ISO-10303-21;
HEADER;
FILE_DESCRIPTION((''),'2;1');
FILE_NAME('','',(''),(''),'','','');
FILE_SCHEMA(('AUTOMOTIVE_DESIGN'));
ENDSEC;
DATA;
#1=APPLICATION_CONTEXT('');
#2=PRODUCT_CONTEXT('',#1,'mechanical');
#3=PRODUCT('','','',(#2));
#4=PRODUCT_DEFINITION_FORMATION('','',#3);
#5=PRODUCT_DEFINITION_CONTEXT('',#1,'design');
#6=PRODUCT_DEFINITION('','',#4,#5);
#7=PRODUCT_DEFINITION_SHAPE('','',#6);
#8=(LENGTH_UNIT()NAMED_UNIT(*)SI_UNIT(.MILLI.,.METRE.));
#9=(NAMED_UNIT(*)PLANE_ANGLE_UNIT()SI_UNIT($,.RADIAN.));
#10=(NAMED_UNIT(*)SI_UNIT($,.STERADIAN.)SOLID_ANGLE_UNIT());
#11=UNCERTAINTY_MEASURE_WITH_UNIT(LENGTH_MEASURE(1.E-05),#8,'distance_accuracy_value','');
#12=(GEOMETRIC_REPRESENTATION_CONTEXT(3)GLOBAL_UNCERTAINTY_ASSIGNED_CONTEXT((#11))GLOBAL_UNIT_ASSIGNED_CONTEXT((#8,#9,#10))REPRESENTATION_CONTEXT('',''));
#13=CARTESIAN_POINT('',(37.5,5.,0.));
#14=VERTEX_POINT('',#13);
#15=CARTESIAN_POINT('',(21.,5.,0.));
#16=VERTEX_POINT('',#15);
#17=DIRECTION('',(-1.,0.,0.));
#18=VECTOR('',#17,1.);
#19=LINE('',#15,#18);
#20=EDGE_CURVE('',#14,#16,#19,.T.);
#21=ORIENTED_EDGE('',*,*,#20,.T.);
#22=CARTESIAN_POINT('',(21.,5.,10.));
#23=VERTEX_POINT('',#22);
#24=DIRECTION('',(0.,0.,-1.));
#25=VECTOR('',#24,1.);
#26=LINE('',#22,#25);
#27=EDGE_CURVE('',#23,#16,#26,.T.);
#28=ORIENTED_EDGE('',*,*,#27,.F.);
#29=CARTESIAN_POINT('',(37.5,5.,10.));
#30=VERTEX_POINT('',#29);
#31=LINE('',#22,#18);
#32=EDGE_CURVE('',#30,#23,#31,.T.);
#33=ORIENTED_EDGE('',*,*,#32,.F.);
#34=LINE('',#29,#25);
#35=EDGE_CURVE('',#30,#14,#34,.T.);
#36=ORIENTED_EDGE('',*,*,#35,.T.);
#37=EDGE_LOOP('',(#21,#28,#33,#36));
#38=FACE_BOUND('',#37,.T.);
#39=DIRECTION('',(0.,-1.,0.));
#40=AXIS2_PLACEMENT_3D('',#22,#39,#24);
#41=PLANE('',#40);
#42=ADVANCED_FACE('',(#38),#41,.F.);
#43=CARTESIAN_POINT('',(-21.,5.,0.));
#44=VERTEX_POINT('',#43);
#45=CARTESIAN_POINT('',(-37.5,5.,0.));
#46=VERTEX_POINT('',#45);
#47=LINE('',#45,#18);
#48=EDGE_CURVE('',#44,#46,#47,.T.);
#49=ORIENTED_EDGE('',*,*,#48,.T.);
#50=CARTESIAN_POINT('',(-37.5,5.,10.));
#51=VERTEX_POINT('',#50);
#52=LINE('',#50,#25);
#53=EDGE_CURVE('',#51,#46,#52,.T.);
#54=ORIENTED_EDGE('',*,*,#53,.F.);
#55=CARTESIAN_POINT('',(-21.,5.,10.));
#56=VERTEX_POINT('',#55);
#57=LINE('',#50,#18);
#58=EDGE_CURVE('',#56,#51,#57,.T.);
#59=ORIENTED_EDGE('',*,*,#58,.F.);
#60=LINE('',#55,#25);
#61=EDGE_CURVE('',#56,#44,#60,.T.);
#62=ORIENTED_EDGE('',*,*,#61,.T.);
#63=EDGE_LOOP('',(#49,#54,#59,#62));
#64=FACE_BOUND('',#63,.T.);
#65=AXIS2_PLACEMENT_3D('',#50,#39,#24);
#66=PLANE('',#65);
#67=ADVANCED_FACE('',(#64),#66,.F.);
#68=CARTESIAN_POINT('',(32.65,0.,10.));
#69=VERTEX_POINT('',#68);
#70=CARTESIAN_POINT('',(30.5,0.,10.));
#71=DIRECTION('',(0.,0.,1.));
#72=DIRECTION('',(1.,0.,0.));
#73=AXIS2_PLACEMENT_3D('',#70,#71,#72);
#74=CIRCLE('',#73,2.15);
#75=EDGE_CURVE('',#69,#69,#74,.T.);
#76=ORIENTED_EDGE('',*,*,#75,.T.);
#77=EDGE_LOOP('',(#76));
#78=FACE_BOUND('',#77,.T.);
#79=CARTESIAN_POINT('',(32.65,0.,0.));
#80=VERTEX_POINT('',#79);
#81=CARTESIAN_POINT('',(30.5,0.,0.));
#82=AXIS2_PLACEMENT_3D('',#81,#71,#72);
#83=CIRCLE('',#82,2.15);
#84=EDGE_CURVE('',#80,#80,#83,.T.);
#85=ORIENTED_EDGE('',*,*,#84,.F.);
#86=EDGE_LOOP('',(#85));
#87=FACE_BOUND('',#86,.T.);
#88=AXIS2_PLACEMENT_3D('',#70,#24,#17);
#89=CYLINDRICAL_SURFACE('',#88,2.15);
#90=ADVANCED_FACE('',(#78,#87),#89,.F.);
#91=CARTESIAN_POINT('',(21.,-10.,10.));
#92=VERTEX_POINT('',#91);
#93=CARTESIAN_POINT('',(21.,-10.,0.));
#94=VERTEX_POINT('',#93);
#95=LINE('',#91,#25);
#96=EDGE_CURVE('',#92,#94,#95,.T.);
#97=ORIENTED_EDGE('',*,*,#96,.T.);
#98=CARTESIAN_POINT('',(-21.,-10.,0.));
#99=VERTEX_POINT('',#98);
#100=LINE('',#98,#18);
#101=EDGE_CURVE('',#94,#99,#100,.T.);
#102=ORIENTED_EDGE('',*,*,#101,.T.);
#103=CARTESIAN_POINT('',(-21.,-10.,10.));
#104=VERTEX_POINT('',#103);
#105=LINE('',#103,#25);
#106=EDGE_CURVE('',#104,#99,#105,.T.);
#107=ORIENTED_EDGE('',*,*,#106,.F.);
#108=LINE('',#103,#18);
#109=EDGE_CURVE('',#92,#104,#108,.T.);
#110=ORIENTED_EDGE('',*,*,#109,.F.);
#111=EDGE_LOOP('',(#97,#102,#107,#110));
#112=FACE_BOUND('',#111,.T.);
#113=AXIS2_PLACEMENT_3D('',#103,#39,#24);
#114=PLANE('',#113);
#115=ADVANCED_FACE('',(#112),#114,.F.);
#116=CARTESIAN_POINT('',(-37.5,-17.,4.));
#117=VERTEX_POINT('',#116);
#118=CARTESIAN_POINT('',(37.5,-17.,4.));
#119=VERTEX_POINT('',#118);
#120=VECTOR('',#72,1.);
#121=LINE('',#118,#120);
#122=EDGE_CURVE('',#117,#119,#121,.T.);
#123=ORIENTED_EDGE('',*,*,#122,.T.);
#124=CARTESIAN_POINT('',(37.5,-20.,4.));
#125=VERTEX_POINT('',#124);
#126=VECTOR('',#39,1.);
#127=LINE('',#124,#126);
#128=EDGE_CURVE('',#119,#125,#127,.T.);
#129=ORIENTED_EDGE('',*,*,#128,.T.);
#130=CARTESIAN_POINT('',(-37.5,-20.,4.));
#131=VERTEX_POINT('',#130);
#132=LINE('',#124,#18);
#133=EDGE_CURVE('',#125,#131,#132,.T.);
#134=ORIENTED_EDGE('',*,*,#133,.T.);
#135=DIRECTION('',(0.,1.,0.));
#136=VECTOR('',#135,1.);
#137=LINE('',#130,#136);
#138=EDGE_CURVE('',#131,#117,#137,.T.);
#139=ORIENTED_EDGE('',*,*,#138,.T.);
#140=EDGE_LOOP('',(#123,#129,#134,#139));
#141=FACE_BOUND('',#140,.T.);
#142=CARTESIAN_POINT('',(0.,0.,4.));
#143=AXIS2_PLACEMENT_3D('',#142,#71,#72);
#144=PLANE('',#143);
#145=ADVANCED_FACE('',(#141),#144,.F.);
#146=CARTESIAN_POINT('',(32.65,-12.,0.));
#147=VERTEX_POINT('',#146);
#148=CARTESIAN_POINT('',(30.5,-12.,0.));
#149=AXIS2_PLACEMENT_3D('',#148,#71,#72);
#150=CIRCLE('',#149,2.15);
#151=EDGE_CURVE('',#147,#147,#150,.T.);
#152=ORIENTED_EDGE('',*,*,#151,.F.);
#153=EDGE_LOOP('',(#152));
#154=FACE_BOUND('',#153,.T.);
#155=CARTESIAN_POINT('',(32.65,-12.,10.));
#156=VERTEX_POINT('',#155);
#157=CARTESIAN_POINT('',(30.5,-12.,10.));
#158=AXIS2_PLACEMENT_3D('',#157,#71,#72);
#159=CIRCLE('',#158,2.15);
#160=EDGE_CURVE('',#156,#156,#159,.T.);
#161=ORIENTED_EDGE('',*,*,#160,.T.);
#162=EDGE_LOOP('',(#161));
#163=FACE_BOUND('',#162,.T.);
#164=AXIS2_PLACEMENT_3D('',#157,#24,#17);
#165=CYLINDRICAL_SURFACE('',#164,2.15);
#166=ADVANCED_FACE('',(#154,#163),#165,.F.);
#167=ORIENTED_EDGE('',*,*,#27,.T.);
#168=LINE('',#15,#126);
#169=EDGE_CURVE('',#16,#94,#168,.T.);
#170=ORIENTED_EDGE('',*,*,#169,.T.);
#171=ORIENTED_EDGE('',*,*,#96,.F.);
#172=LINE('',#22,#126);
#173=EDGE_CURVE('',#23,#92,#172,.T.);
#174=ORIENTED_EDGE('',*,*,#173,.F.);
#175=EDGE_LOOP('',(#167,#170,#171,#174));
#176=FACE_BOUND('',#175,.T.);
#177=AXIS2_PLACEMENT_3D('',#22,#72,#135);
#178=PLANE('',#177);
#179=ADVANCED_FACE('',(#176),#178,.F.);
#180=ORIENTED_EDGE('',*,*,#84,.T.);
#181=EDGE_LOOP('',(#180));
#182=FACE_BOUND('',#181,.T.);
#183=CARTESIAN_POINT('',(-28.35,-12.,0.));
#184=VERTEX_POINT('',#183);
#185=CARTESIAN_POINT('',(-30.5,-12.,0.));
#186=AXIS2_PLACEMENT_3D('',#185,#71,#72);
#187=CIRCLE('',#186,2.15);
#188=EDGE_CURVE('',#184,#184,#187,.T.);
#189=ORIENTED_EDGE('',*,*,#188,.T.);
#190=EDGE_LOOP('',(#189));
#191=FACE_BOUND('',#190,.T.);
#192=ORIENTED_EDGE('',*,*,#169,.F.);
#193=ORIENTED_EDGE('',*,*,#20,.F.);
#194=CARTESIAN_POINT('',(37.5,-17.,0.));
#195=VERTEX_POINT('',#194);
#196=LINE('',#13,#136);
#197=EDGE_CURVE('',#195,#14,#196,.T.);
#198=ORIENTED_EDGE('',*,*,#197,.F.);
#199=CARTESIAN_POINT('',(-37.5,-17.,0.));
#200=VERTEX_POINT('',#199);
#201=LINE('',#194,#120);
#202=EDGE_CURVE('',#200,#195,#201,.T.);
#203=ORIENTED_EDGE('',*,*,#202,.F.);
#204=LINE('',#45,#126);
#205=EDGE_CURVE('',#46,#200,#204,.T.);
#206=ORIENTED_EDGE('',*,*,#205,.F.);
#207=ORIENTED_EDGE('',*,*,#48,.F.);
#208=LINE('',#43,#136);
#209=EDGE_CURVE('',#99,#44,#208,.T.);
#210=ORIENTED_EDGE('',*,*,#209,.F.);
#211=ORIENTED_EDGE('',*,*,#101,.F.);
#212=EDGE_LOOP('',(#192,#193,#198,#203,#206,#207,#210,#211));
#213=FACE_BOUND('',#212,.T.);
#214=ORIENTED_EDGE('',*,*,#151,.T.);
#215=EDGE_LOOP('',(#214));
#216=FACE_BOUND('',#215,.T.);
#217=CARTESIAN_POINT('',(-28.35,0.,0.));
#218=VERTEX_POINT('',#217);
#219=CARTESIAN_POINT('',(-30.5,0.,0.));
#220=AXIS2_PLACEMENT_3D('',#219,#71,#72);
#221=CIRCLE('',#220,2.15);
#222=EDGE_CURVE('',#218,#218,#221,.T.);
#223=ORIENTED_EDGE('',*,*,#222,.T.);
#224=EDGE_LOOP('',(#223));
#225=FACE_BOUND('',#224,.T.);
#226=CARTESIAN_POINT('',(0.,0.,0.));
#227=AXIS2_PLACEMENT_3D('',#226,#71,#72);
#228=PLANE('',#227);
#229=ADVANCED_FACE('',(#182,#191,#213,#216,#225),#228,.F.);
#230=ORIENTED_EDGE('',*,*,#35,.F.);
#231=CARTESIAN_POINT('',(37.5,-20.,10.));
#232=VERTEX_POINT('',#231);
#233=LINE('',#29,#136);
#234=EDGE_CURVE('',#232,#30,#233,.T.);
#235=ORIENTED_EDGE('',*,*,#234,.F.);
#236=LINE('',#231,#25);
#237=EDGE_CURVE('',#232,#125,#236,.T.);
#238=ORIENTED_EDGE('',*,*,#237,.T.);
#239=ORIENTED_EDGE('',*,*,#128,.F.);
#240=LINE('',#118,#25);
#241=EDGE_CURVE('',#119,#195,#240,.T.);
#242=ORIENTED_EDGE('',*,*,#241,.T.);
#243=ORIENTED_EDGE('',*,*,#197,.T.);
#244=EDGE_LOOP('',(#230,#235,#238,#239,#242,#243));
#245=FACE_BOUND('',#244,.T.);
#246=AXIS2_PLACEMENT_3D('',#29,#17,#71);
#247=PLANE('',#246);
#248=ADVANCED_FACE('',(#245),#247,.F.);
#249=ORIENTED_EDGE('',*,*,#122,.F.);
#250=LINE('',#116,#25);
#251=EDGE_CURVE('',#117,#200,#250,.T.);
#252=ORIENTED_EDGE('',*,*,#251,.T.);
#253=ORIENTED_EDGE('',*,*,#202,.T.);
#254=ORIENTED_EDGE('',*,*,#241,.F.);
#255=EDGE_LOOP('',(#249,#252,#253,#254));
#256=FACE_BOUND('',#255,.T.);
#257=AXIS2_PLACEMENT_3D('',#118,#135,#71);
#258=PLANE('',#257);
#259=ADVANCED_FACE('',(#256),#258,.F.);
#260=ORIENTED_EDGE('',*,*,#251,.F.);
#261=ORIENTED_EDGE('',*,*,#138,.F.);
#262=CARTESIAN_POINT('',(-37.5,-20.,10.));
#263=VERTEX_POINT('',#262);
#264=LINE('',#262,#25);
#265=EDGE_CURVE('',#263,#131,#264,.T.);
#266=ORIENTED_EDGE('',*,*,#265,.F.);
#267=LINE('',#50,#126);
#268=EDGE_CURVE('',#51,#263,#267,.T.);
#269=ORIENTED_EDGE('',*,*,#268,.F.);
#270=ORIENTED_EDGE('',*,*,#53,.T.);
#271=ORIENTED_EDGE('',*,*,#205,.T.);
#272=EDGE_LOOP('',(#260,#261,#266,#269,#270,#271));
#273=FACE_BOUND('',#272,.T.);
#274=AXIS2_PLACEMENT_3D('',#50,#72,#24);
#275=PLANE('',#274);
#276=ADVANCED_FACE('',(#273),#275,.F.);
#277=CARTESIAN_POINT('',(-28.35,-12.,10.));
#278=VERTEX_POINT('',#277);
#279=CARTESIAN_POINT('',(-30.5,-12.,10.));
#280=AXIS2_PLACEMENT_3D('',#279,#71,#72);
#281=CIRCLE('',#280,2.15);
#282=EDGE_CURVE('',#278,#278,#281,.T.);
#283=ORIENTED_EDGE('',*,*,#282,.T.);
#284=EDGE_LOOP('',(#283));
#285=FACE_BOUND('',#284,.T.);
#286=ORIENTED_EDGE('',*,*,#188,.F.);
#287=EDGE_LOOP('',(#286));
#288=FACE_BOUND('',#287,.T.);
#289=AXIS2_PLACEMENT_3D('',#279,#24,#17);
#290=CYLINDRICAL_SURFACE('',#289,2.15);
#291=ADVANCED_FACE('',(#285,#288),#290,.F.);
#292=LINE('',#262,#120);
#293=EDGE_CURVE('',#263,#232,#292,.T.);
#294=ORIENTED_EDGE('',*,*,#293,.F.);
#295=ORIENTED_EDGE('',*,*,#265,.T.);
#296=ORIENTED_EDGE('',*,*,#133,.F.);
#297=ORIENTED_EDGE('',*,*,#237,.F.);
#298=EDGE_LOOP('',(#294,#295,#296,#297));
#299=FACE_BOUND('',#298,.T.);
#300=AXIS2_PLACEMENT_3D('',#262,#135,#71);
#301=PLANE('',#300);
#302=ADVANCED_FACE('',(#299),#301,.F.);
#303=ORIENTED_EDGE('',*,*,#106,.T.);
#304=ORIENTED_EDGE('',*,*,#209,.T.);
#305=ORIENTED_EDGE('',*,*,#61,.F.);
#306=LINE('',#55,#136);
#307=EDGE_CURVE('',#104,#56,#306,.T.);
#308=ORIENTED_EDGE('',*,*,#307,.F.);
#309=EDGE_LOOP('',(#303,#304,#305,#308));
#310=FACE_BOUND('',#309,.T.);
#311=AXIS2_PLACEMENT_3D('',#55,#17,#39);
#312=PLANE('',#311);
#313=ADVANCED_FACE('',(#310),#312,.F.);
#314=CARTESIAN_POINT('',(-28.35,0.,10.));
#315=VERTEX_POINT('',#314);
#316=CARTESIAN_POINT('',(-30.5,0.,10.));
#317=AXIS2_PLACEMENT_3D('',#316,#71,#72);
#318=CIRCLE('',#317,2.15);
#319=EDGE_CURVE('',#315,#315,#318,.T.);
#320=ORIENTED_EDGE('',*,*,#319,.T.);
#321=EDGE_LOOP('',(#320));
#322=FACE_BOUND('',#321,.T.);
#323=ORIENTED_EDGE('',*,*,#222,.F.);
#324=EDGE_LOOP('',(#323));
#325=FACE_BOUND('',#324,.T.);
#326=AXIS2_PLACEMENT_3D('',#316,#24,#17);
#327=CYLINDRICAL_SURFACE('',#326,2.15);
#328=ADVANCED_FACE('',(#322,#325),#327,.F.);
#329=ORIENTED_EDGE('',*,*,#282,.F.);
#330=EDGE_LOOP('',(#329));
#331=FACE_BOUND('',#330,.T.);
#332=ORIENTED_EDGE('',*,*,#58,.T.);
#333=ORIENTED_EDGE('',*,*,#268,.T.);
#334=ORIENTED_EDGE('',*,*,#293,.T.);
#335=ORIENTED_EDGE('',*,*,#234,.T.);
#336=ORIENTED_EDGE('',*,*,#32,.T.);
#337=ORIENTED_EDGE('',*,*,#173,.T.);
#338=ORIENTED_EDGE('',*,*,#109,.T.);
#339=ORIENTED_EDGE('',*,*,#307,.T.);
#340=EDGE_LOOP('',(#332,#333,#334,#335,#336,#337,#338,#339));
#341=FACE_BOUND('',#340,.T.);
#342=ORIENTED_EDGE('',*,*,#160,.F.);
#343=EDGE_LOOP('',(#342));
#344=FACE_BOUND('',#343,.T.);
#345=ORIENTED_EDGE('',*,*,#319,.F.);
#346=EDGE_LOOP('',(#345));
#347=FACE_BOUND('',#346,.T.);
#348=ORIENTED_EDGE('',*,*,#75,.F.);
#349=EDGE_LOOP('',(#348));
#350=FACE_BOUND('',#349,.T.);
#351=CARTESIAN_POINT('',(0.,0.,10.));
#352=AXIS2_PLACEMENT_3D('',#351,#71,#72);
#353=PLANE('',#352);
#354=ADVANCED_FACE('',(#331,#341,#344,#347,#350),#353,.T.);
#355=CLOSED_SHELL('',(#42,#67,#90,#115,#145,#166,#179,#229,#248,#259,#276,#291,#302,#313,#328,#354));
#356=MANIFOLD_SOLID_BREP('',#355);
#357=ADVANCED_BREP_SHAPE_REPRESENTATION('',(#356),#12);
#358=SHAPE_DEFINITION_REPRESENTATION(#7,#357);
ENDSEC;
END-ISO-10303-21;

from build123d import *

# Parameters (mm, degrees)
SKETCH1_R           = 2.15
BOSS_EXTRUDE1_DEPTH = 10
SKETCH3_W           = 75
SKETCH3_H           = 3
CUT_EXTRUDE1_DEPTH  = 4


with BuildPart() as part:
    # Sketch1 → Boss-Extrude1 (new body)
    with BuildSketch(Plane.XY):
        Polygon((21, 5), (37.5, 5), (37.5, -20), (-37.5, -20), (-37.5, 5), (-21, 5), (-21, -10), (21, -10), align=None)
        with Locations((-30.5, 0)):
            Circle(SKETCH1_R, mode=Mode.SUBTRACT)
        with Locations((-30.5, -12)):
            Circle(SKETCH1_R, mode=Mode.SUBTRACT)
        with Locations((30.5, 0)):
            Circle(SKETCH1_R, mode=Mode.SUBTRACT)
        with Locations((30.5, -12)):
            Circle(SKETCH1_R, mode=Mode.SUBTRACT)
    extrude(amount=BOSS_EXTRUDE1_DEPTH)

    # Sketch3 → Cut-Extrude1 (cut)
    with BuildSketch(Plane(origin=(0, 0, 0), x_dir=(-1, 0, 0), z_dir=(0, 0, -1))):
        with Locations((0, -18.5)):
            Rectangle(SKETCH3_W, SKETCH3_H)
    extrude(amount=-CUT_EXTRUDE1_DEPTH, mode=Mode.SUBTRACT)


solid = part.part
